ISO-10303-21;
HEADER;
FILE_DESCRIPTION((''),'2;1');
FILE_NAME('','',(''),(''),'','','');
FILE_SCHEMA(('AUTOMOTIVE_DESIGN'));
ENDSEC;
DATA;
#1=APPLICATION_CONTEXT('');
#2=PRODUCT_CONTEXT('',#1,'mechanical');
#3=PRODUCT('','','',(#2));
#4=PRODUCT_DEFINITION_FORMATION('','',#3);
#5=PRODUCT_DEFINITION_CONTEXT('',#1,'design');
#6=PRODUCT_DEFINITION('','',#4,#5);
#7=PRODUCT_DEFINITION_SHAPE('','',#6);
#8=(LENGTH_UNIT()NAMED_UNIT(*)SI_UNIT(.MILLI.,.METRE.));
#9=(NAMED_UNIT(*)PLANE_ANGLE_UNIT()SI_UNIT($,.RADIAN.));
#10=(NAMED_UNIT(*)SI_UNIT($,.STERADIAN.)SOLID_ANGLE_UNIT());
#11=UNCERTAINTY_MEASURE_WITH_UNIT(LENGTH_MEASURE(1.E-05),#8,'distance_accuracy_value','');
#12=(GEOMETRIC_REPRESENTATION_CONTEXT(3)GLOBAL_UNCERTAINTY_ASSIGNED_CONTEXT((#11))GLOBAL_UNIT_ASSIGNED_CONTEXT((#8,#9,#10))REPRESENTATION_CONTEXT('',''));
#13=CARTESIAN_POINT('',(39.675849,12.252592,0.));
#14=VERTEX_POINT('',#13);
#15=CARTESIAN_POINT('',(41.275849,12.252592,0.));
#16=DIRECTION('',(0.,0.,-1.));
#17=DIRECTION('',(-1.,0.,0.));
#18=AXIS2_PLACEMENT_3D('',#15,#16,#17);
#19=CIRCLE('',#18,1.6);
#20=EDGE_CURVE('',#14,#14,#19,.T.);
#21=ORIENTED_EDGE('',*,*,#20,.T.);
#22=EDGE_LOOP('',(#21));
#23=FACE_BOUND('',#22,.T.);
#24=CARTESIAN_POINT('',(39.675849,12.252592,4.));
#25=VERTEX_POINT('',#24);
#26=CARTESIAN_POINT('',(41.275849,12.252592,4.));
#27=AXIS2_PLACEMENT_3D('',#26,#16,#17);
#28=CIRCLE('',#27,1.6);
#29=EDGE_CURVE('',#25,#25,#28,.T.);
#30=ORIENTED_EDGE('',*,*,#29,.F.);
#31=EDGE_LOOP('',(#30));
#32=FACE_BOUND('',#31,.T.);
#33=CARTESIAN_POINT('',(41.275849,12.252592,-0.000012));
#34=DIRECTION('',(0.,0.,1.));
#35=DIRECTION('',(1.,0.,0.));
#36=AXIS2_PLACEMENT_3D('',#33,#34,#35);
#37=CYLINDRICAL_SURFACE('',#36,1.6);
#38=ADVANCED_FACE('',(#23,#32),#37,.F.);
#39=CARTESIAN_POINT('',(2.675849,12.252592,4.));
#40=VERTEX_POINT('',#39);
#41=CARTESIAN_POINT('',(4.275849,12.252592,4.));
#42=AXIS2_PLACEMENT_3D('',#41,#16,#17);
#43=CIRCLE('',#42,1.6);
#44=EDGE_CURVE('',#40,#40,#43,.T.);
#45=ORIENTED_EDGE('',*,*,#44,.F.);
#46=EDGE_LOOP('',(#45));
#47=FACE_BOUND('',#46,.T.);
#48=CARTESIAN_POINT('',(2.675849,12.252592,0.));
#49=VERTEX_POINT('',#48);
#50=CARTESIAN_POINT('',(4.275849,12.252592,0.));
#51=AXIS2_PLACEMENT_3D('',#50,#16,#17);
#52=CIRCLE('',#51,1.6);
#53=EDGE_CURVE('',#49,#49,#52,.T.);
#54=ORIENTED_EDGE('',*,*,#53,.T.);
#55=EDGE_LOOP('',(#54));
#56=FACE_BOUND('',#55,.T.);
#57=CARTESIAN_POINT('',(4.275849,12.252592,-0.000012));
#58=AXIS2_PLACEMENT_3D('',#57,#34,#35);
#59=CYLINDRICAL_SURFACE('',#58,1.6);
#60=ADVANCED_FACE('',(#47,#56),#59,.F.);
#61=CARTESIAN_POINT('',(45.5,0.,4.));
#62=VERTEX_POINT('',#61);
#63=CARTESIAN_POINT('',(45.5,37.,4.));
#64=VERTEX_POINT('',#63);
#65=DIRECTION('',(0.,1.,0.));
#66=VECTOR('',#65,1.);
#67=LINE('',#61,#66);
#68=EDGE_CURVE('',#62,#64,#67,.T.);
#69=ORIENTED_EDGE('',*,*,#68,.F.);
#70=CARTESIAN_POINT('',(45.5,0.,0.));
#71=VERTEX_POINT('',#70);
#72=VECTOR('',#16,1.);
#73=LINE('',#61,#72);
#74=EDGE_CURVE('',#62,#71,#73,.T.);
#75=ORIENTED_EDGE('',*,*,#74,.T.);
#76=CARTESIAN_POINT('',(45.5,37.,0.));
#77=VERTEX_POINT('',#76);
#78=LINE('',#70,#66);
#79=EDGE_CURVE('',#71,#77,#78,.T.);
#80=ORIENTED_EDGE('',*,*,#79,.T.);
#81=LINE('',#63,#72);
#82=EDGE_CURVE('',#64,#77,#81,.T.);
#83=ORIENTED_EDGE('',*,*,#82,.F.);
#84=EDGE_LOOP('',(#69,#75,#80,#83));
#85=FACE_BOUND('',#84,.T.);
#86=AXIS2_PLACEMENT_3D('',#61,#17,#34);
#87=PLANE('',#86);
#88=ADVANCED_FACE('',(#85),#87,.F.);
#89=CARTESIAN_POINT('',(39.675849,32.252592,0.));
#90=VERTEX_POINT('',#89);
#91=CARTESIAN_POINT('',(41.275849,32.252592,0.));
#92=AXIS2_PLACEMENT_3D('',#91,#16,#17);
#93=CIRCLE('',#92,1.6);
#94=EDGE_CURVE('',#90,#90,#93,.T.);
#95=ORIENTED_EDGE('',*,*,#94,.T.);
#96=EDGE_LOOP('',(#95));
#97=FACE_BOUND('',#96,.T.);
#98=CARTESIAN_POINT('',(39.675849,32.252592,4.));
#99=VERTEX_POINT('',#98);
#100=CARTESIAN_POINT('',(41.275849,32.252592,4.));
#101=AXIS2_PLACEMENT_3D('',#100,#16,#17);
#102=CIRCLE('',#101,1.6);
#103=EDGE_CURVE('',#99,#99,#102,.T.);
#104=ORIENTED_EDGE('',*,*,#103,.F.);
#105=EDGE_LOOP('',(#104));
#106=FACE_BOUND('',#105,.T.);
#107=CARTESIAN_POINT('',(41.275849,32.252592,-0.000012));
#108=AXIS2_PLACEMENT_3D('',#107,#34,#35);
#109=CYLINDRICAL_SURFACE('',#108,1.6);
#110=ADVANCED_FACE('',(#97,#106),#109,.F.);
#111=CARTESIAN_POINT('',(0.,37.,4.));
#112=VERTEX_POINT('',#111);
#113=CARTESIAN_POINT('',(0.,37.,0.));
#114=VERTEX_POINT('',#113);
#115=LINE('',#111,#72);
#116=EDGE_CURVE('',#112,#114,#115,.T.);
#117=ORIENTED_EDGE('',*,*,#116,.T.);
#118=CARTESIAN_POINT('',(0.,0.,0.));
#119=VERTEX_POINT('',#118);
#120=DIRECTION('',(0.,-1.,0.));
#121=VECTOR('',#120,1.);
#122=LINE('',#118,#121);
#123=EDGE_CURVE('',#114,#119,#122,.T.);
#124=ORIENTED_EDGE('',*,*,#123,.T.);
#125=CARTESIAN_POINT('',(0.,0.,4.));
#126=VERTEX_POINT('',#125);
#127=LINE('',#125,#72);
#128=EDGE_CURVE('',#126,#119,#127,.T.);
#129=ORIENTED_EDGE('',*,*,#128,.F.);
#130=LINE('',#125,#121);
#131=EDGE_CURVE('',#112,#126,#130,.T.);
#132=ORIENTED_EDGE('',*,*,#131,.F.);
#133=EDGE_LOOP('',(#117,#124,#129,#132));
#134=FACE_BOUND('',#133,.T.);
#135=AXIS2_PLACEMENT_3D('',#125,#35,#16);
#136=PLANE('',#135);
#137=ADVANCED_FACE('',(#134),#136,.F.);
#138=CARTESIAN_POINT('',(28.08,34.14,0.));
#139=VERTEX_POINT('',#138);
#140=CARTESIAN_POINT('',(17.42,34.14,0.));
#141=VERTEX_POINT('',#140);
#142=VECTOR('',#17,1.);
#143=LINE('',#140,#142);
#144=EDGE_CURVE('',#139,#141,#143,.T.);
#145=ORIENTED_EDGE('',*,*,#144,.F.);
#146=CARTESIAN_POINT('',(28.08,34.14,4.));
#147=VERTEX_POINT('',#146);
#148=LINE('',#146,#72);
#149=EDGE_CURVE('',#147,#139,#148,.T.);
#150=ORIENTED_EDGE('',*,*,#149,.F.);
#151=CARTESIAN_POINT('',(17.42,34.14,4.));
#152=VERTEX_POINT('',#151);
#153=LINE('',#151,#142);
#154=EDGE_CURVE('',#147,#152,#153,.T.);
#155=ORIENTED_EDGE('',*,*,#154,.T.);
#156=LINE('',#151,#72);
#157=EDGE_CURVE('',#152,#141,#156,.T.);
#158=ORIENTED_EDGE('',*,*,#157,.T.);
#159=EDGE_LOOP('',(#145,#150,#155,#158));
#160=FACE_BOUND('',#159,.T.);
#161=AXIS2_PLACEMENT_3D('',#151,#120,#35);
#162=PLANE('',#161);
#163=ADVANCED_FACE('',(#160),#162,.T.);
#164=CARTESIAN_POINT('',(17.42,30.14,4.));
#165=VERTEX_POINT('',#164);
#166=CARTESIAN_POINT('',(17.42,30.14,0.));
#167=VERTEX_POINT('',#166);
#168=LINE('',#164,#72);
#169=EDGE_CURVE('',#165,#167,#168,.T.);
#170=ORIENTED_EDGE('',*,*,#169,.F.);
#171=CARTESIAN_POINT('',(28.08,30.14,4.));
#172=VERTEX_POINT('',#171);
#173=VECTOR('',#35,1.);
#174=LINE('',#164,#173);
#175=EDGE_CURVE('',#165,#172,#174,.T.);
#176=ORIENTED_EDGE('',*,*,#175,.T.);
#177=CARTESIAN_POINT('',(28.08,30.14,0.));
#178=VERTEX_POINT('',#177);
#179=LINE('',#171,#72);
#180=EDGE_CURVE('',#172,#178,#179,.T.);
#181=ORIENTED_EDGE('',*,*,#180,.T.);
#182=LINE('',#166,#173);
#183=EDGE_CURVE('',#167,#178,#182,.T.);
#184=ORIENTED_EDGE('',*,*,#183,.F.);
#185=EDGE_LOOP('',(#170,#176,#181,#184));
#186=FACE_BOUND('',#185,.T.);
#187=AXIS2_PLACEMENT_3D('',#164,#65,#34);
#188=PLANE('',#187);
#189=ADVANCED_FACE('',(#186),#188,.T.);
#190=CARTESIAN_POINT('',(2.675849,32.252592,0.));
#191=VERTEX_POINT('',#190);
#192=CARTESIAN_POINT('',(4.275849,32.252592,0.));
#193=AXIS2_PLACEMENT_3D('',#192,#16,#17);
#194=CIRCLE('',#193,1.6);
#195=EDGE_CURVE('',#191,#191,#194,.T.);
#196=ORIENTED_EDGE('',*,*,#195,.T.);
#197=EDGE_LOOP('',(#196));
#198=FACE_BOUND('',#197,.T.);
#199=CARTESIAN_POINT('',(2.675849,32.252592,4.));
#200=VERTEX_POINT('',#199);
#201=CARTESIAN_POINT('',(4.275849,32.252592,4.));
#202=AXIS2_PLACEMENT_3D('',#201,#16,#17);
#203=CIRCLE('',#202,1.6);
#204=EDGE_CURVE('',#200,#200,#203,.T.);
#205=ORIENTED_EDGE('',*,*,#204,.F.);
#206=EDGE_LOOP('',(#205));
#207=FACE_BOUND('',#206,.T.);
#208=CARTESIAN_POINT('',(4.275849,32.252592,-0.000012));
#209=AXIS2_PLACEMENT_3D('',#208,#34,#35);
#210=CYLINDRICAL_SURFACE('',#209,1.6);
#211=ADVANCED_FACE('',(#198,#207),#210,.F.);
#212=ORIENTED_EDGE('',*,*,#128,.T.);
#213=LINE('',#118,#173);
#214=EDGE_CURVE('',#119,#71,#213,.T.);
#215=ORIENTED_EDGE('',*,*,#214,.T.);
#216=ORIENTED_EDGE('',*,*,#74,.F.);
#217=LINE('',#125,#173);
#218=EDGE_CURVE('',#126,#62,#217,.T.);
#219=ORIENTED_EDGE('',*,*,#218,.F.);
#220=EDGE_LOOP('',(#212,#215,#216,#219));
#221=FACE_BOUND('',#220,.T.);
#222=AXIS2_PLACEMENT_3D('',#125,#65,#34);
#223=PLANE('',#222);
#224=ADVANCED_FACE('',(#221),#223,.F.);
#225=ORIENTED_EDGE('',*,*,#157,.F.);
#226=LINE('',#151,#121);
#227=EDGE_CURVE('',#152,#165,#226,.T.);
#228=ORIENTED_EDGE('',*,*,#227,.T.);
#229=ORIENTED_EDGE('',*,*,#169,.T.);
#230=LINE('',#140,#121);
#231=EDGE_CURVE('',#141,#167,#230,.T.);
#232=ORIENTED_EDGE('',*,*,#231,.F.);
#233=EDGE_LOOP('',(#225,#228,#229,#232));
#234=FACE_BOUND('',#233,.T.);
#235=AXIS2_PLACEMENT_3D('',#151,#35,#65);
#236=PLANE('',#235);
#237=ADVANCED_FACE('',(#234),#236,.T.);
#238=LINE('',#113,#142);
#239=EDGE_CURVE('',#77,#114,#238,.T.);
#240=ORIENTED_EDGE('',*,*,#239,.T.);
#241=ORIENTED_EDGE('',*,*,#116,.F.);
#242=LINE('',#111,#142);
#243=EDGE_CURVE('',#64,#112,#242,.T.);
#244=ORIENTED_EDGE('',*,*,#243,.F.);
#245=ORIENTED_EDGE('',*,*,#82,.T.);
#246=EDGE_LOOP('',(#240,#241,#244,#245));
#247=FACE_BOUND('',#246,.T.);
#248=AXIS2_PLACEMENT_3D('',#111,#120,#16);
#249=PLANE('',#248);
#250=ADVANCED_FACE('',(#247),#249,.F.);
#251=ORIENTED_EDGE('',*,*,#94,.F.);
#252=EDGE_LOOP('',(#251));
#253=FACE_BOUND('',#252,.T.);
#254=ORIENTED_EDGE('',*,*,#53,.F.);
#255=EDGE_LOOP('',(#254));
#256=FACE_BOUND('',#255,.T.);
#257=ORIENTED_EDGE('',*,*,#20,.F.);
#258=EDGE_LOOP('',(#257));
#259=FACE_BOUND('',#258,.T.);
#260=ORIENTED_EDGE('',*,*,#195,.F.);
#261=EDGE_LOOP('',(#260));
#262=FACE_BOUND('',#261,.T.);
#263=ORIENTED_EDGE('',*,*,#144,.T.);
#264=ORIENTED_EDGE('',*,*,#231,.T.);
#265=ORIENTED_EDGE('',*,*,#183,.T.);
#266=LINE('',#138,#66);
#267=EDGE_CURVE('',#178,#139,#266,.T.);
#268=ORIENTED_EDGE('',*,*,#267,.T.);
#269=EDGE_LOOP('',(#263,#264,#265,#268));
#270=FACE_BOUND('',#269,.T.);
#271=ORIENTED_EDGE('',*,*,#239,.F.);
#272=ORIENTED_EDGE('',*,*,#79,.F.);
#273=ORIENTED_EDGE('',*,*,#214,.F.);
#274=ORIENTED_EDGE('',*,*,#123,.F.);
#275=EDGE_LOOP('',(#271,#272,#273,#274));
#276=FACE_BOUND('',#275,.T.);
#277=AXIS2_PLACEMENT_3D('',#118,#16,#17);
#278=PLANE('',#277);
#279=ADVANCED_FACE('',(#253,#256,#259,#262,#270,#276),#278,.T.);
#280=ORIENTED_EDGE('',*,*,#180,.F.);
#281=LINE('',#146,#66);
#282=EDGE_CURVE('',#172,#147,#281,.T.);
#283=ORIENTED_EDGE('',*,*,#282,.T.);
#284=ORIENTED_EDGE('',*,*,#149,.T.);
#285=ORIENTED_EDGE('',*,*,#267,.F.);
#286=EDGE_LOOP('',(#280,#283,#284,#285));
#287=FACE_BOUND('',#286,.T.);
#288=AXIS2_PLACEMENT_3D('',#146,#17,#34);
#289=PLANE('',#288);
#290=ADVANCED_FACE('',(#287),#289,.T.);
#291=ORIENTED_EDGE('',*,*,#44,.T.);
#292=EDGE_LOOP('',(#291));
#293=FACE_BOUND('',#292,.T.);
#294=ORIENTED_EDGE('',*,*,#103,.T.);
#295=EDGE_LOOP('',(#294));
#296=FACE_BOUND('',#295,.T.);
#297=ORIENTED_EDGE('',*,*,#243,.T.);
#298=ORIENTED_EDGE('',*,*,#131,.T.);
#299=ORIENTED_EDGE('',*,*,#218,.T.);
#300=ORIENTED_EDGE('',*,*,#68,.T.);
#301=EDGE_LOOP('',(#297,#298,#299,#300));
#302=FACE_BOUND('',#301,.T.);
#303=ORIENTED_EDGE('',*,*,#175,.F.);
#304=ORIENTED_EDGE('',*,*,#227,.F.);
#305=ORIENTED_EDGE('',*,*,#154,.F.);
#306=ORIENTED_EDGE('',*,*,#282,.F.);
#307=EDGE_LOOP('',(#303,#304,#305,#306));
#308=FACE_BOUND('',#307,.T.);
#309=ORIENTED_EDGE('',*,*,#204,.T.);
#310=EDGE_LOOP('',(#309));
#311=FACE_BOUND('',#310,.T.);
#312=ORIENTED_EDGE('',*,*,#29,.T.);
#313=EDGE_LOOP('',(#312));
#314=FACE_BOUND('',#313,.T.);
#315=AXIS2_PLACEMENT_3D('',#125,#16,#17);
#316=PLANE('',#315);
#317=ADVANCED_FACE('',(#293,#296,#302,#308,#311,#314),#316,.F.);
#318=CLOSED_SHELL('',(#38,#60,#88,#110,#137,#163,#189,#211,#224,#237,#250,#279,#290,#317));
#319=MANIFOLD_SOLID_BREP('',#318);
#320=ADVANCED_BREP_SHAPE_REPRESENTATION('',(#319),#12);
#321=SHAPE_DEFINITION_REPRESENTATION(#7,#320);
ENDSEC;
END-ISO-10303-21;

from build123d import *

# Parameters (mm, degrees)
SKETCH1_W               = 45.5
SKETCH1_H               = 37
SKETCH1_W_2             = 10.66
SKETCH1_H_2             = 4
BOSS_EXTRUDE1_DEPTH     = 4
SKETCH3_R               = 1.6
CUT_EXTRUDE5_DEPTH      = 10
CUT_EXTRUDE5_DEPTH_BACK = 1


with BuildPart() as part:
    # Sketch1 → Boss-Extrude1 (new body)
    with BuildSketch(Plane.XY):
        with Locations((22.75, 18.5)):
            Rectangle(SKETCH1_W, SKETCH1_H)
        with Locations((22.75, 32.14)):
            Rectangle(SKETCH1_W_2, SKETCH1_H_2, mode=Mode.SUBTRACT)
    extrude(amount=BOSS_EXTRUDE1_DEPTH)

    # Sketch3 → Cut-Extrude5 (cut, two sides)
    with BuildSketch(Plane.XY) as cut_extrude5_sk:
        with Locations((41.27584891, 32.252592082)):
            Circle(SKETCH3_R)
        with Locations((41.27584891, 12.252592082)):
            Circle(SKETCH3_R)
        with Locations((4.27584891, 12.252592082)):
            Circle(SKETCH3_R)
        with Locations((4.27584891, 32.252592082)):
            Circle(SKETCH3_R)
    extrude(amount=CUT_EXTRUDE5_DEPTH, mode=Mode.SUBTRACT)
    extrude(cut_extrude5_sk.sketch, amount=-CUT_EXTRUDE5_DEPTH_BACK, mode=Mode.SUBTRACT)


solid = part.part
